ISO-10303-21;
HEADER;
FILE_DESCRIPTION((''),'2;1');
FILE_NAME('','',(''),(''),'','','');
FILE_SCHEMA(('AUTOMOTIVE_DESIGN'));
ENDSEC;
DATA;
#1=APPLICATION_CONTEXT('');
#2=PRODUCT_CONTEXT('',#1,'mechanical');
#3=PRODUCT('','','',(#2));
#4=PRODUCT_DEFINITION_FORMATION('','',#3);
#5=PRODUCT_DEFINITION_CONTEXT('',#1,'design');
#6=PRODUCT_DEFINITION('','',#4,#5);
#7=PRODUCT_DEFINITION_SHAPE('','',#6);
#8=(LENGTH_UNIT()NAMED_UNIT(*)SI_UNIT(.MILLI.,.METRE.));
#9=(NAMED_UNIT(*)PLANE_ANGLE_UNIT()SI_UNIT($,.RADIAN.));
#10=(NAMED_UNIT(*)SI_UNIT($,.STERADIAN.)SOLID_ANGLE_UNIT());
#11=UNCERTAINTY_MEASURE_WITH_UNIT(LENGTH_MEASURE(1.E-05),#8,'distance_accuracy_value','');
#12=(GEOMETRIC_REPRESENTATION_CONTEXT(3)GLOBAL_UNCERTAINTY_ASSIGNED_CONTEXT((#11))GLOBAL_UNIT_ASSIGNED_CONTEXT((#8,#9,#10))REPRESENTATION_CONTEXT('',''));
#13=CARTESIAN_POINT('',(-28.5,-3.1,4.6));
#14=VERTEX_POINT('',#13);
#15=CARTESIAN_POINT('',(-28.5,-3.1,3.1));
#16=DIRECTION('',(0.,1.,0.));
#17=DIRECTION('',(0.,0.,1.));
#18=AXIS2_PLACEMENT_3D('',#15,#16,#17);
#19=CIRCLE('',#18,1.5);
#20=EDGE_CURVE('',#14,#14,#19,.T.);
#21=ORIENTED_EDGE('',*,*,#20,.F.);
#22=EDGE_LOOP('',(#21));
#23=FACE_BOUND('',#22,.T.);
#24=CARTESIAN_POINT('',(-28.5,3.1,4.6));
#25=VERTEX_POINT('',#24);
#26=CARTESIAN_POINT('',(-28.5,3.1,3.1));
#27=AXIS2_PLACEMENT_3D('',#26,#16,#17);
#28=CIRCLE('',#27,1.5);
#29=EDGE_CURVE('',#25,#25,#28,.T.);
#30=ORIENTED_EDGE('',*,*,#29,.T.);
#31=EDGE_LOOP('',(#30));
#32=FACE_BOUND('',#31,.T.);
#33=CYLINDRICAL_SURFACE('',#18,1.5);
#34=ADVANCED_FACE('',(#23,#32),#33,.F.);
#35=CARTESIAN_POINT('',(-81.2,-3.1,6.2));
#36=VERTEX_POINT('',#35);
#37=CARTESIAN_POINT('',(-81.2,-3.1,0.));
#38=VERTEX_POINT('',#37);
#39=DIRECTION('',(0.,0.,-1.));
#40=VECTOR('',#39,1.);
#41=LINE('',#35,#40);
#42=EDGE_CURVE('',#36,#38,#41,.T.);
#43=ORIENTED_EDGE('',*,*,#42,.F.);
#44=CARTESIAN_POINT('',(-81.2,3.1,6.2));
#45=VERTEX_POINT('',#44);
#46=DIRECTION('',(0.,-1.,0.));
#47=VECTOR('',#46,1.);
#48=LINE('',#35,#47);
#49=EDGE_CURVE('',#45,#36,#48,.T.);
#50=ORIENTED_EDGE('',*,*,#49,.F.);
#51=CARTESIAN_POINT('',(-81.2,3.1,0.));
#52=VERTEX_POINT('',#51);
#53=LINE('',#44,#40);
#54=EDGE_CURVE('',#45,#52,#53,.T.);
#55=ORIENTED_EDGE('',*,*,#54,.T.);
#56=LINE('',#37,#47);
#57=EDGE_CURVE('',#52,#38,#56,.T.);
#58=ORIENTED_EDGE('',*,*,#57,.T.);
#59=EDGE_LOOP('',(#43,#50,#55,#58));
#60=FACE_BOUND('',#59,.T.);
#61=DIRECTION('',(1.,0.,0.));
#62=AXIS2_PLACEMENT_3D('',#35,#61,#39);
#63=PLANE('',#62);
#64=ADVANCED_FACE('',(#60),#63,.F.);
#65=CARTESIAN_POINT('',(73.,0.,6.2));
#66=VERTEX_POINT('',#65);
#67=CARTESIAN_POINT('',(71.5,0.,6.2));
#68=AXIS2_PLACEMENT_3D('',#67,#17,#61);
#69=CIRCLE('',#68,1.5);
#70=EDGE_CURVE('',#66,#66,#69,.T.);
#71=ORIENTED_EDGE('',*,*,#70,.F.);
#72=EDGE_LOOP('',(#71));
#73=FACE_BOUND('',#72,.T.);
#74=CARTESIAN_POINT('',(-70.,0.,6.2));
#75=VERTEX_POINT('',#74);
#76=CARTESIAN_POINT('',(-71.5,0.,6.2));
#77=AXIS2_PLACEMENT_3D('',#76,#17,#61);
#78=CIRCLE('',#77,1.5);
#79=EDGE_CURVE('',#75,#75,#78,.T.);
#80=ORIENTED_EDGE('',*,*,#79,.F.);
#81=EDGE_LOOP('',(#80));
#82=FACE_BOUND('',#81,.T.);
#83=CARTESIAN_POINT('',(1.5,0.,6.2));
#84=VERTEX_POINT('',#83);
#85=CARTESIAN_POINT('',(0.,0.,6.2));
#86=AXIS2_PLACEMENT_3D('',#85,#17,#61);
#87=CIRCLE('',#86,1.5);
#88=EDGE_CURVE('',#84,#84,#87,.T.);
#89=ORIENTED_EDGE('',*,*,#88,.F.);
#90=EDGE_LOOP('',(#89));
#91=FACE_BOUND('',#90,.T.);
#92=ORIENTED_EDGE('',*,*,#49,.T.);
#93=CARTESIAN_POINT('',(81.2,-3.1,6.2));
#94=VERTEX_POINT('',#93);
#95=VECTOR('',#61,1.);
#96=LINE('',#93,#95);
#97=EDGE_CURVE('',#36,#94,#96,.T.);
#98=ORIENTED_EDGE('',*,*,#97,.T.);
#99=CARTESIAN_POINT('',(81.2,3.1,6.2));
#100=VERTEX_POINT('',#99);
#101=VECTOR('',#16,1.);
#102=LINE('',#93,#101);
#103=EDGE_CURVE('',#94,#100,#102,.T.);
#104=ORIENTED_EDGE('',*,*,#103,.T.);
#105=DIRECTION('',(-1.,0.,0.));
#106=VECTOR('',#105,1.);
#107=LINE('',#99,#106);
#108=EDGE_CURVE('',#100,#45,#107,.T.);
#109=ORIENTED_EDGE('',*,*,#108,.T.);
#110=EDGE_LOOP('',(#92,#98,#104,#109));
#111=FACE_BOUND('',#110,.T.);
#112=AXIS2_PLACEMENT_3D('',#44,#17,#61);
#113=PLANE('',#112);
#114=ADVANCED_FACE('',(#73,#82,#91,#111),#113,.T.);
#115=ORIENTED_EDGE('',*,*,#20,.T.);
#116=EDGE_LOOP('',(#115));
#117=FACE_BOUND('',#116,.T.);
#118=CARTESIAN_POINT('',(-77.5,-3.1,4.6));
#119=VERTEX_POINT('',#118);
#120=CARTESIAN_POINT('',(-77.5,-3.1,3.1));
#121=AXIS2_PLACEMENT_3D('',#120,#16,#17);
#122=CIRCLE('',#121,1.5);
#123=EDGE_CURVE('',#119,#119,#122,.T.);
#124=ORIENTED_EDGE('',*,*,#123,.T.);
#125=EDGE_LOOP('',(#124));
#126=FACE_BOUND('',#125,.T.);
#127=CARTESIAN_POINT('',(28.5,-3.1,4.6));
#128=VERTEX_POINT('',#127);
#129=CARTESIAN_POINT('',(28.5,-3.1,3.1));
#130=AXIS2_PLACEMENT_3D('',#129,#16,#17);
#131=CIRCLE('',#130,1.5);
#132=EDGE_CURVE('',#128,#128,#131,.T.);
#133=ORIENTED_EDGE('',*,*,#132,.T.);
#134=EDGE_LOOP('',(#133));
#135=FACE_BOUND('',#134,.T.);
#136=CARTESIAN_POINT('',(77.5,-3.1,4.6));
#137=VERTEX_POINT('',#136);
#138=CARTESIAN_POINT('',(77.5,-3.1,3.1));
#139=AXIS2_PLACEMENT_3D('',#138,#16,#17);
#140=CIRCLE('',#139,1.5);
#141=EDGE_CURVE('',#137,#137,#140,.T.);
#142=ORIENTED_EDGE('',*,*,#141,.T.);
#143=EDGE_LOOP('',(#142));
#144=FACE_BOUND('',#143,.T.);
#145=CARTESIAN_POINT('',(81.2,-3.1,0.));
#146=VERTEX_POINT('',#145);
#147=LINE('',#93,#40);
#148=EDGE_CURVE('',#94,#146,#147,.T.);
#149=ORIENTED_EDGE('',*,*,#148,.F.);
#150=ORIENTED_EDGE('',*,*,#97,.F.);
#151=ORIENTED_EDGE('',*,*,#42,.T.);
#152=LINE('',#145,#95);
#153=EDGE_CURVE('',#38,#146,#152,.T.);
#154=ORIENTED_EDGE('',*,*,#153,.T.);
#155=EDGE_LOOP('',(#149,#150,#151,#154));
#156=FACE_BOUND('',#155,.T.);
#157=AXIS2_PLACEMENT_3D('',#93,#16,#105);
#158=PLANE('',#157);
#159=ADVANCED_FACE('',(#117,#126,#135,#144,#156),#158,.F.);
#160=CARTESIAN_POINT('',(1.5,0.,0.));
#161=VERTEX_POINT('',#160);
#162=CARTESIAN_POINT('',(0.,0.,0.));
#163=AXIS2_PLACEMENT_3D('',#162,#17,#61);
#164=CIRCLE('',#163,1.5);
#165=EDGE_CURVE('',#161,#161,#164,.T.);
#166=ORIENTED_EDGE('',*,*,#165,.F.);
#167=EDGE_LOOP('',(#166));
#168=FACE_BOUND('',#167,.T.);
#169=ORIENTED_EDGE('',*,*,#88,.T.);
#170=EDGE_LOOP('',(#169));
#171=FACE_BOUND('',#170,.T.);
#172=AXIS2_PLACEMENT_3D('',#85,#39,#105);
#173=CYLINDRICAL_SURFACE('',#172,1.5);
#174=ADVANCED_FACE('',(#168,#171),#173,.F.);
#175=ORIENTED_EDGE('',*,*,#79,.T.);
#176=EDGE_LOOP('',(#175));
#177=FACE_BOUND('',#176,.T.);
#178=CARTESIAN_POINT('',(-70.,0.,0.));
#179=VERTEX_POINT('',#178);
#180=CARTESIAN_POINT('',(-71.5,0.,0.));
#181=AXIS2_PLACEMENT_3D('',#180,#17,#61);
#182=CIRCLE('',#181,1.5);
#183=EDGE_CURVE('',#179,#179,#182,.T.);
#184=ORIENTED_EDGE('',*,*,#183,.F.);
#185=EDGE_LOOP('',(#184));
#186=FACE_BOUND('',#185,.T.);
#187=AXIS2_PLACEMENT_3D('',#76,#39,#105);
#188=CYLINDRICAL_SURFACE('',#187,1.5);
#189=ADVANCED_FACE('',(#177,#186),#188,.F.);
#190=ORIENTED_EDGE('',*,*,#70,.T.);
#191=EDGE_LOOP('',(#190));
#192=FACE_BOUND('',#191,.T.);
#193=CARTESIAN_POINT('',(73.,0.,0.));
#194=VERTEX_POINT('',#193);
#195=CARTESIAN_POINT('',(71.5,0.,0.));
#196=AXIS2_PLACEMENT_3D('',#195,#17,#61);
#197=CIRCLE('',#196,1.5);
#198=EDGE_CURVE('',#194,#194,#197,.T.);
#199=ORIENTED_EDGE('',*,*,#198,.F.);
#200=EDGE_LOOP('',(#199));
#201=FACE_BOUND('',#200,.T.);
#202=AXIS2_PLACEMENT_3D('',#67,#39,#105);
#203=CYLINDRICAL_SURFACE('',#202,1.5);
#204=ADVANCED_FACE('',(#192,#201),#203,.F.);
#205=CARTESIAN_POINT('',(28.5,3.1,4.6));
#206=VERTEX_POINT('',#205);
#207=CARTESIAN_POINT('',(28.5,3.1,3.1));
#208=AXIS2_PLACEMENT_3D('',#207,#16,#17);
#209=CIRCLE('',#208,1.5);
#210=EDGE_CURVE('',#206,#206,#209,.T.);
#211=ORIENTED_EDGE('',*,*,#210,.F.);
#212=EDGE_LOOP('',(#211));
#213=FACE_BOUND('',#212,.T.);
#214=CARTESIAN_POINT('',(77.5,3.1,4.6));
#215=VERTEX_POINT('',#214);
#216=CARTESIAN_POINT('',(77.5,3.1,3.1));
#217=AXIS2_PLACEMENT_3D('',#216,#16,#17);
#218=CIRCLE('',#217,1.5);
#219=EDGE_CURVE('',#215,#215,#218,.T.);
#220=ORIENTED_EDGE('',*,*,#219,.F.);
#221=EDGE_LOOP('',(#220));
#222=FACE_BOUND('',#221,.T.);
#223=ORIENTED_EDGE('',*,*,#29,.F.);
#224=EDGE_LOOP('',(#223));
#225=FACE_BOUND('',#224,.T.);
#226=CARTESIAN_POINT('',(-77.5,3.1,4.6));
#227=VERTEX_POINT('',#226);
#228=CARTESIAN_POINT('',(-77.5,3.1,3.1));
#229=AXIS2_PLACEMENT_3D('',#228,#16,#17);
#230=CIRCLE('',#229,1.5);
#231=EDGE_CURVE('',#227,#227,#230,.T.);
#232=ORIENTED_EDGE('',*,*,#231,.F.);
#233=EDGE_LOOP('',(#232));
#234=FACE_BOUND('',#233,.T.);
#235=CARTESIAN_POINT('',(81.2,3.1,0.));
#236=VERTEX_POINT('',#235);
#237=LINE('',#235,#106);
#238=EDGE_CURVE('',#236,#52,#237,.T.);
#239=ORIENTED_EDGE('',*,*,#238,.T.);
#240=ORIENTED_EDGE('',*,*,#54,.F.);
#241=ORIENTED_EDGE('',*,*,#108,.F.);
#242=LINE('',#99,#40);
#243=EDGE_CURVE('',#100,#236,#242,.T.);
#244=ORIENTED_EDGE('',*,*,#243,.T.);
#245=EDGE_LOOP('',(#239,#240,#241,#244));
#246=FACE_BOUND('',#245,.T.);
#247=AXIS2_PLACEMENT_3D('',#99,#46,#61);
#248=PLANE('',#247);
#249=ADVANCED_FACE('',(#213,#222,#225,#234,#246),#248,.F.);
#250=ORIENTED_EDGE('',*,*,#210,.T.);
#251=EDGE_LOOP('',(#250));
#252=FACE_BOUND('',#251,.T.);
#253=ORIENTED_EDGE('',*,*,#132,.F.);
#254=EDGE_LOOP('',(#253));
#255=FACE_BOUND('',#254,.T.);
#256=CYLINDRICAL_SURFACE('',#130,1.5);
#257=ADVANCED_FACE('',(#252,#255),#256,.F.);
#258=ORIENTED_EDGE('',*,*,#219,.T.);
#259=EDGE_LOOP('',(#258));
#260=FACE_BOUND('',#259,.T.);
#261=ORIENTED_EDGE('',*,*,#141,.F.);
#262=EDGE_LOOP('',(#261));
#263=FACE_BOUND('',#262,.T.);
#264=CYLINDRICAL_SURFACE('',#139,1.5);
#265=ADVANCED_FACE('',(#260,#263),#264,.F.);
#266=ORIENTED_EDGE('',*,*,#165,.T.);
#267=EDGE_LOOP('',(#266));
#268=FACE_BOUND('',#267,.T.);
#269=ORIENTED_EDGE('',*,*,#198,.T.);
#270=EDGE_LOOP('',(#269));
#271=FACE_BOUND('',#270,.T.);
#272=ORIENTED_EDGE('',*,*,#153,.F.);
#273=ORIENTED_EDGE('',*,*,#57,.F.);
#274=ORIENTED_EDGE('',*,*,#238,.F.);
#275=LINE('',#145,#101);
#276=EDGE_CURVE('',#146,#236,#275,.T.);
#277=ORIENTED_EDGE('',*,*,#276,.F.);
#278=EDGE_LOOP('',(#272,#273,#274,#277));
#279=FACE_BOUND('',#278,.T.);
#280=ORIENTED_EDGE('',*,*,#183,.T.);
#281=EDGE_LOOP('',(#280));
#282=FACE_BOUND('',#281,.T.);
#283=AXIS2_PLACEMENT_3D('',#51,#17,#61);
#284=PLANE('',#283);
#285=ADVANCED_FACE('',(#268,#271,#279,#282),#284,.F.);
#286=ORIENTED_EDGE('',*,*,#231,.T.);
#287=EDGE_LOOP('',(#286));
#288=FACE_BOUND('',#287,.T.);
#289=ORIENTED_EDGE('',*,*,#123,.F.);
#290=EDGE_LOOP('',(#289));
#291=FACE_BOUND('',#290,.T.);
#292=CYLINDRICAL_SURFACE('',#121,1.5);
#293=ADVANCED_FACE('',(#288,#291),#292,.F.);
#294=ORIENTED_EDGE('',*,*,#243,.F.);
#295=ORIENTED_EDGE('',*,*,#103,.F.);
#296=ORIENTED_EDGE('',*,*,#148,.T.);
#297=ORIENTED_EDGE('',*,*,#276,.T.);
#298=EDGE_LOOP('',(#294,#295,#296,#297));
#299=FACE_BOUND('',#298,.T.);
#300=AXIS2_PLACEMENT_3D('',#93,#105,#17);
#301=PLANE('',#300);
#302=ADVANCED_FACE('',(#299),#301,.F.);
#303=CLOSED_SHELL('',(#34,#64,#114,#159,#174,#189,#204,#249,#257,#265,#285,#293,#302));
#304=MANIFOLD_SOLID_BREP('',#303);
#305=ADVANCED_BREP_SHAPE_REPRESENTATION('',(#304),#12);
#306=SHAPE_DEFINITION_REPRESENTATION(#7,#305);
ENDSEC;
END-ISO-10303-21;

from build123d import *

# Parameters (mm, degrees)
CROQUIS1_W              = 162.4
CROQUIS1_H              = 6.2
CROQUIS1_R              = 1.5
SALIENTE_EXTRUIR1_DEPTH = 6.2
CROQUIS2_R              = 1.5
CORTAR_EXTRUIR1_DEPTH   = 6.2


with BuildPart() as part:
    # Croquis1 → Saliente-Extruir1 (new body)
    with BuildSketch(Plane.XY):
        Rectangle(CROQUIS1_W, CROQUIS1_H)
        with Locations((-71.5, 0)):
            Circle(CROQUIS1_R, mode=Mode.SUBTRACT)
        Circle(CROQUIS1_R, mode=Mode.SUBTRACT)
        with Locations((71.5, 0)):
            Circle(CROQUIS1_R, mode=Mode.SUBTRACT)
    extrude(amount=SALIENTE_EXTRUIR1_DEPTH)

    # Croquis2 → Cortar-Extruir1 (cut)
    with BuildSketch(Plane(origin=(0, 3.1, 0), x_dir=(1, 0, 0), z_dir=(0, 1, 0))):
        with Locations((-77.5, -3.1)):
            Circle(CROQUIS2_R)
        with Locations((-28.5, -3.1)):
            Circle(CROQUIS2_R)
        with Locations((28.5, -3.1)):
            Circle(CROQUIS2_R)
        with Locations((77.5, -3.1)):
            Circle(CROQUIS2_R)
    extrude(amount=-CORTAR_EXTRUIR1_DEPTH, mode=Mode.SUBTRACT)


solid = part.part
